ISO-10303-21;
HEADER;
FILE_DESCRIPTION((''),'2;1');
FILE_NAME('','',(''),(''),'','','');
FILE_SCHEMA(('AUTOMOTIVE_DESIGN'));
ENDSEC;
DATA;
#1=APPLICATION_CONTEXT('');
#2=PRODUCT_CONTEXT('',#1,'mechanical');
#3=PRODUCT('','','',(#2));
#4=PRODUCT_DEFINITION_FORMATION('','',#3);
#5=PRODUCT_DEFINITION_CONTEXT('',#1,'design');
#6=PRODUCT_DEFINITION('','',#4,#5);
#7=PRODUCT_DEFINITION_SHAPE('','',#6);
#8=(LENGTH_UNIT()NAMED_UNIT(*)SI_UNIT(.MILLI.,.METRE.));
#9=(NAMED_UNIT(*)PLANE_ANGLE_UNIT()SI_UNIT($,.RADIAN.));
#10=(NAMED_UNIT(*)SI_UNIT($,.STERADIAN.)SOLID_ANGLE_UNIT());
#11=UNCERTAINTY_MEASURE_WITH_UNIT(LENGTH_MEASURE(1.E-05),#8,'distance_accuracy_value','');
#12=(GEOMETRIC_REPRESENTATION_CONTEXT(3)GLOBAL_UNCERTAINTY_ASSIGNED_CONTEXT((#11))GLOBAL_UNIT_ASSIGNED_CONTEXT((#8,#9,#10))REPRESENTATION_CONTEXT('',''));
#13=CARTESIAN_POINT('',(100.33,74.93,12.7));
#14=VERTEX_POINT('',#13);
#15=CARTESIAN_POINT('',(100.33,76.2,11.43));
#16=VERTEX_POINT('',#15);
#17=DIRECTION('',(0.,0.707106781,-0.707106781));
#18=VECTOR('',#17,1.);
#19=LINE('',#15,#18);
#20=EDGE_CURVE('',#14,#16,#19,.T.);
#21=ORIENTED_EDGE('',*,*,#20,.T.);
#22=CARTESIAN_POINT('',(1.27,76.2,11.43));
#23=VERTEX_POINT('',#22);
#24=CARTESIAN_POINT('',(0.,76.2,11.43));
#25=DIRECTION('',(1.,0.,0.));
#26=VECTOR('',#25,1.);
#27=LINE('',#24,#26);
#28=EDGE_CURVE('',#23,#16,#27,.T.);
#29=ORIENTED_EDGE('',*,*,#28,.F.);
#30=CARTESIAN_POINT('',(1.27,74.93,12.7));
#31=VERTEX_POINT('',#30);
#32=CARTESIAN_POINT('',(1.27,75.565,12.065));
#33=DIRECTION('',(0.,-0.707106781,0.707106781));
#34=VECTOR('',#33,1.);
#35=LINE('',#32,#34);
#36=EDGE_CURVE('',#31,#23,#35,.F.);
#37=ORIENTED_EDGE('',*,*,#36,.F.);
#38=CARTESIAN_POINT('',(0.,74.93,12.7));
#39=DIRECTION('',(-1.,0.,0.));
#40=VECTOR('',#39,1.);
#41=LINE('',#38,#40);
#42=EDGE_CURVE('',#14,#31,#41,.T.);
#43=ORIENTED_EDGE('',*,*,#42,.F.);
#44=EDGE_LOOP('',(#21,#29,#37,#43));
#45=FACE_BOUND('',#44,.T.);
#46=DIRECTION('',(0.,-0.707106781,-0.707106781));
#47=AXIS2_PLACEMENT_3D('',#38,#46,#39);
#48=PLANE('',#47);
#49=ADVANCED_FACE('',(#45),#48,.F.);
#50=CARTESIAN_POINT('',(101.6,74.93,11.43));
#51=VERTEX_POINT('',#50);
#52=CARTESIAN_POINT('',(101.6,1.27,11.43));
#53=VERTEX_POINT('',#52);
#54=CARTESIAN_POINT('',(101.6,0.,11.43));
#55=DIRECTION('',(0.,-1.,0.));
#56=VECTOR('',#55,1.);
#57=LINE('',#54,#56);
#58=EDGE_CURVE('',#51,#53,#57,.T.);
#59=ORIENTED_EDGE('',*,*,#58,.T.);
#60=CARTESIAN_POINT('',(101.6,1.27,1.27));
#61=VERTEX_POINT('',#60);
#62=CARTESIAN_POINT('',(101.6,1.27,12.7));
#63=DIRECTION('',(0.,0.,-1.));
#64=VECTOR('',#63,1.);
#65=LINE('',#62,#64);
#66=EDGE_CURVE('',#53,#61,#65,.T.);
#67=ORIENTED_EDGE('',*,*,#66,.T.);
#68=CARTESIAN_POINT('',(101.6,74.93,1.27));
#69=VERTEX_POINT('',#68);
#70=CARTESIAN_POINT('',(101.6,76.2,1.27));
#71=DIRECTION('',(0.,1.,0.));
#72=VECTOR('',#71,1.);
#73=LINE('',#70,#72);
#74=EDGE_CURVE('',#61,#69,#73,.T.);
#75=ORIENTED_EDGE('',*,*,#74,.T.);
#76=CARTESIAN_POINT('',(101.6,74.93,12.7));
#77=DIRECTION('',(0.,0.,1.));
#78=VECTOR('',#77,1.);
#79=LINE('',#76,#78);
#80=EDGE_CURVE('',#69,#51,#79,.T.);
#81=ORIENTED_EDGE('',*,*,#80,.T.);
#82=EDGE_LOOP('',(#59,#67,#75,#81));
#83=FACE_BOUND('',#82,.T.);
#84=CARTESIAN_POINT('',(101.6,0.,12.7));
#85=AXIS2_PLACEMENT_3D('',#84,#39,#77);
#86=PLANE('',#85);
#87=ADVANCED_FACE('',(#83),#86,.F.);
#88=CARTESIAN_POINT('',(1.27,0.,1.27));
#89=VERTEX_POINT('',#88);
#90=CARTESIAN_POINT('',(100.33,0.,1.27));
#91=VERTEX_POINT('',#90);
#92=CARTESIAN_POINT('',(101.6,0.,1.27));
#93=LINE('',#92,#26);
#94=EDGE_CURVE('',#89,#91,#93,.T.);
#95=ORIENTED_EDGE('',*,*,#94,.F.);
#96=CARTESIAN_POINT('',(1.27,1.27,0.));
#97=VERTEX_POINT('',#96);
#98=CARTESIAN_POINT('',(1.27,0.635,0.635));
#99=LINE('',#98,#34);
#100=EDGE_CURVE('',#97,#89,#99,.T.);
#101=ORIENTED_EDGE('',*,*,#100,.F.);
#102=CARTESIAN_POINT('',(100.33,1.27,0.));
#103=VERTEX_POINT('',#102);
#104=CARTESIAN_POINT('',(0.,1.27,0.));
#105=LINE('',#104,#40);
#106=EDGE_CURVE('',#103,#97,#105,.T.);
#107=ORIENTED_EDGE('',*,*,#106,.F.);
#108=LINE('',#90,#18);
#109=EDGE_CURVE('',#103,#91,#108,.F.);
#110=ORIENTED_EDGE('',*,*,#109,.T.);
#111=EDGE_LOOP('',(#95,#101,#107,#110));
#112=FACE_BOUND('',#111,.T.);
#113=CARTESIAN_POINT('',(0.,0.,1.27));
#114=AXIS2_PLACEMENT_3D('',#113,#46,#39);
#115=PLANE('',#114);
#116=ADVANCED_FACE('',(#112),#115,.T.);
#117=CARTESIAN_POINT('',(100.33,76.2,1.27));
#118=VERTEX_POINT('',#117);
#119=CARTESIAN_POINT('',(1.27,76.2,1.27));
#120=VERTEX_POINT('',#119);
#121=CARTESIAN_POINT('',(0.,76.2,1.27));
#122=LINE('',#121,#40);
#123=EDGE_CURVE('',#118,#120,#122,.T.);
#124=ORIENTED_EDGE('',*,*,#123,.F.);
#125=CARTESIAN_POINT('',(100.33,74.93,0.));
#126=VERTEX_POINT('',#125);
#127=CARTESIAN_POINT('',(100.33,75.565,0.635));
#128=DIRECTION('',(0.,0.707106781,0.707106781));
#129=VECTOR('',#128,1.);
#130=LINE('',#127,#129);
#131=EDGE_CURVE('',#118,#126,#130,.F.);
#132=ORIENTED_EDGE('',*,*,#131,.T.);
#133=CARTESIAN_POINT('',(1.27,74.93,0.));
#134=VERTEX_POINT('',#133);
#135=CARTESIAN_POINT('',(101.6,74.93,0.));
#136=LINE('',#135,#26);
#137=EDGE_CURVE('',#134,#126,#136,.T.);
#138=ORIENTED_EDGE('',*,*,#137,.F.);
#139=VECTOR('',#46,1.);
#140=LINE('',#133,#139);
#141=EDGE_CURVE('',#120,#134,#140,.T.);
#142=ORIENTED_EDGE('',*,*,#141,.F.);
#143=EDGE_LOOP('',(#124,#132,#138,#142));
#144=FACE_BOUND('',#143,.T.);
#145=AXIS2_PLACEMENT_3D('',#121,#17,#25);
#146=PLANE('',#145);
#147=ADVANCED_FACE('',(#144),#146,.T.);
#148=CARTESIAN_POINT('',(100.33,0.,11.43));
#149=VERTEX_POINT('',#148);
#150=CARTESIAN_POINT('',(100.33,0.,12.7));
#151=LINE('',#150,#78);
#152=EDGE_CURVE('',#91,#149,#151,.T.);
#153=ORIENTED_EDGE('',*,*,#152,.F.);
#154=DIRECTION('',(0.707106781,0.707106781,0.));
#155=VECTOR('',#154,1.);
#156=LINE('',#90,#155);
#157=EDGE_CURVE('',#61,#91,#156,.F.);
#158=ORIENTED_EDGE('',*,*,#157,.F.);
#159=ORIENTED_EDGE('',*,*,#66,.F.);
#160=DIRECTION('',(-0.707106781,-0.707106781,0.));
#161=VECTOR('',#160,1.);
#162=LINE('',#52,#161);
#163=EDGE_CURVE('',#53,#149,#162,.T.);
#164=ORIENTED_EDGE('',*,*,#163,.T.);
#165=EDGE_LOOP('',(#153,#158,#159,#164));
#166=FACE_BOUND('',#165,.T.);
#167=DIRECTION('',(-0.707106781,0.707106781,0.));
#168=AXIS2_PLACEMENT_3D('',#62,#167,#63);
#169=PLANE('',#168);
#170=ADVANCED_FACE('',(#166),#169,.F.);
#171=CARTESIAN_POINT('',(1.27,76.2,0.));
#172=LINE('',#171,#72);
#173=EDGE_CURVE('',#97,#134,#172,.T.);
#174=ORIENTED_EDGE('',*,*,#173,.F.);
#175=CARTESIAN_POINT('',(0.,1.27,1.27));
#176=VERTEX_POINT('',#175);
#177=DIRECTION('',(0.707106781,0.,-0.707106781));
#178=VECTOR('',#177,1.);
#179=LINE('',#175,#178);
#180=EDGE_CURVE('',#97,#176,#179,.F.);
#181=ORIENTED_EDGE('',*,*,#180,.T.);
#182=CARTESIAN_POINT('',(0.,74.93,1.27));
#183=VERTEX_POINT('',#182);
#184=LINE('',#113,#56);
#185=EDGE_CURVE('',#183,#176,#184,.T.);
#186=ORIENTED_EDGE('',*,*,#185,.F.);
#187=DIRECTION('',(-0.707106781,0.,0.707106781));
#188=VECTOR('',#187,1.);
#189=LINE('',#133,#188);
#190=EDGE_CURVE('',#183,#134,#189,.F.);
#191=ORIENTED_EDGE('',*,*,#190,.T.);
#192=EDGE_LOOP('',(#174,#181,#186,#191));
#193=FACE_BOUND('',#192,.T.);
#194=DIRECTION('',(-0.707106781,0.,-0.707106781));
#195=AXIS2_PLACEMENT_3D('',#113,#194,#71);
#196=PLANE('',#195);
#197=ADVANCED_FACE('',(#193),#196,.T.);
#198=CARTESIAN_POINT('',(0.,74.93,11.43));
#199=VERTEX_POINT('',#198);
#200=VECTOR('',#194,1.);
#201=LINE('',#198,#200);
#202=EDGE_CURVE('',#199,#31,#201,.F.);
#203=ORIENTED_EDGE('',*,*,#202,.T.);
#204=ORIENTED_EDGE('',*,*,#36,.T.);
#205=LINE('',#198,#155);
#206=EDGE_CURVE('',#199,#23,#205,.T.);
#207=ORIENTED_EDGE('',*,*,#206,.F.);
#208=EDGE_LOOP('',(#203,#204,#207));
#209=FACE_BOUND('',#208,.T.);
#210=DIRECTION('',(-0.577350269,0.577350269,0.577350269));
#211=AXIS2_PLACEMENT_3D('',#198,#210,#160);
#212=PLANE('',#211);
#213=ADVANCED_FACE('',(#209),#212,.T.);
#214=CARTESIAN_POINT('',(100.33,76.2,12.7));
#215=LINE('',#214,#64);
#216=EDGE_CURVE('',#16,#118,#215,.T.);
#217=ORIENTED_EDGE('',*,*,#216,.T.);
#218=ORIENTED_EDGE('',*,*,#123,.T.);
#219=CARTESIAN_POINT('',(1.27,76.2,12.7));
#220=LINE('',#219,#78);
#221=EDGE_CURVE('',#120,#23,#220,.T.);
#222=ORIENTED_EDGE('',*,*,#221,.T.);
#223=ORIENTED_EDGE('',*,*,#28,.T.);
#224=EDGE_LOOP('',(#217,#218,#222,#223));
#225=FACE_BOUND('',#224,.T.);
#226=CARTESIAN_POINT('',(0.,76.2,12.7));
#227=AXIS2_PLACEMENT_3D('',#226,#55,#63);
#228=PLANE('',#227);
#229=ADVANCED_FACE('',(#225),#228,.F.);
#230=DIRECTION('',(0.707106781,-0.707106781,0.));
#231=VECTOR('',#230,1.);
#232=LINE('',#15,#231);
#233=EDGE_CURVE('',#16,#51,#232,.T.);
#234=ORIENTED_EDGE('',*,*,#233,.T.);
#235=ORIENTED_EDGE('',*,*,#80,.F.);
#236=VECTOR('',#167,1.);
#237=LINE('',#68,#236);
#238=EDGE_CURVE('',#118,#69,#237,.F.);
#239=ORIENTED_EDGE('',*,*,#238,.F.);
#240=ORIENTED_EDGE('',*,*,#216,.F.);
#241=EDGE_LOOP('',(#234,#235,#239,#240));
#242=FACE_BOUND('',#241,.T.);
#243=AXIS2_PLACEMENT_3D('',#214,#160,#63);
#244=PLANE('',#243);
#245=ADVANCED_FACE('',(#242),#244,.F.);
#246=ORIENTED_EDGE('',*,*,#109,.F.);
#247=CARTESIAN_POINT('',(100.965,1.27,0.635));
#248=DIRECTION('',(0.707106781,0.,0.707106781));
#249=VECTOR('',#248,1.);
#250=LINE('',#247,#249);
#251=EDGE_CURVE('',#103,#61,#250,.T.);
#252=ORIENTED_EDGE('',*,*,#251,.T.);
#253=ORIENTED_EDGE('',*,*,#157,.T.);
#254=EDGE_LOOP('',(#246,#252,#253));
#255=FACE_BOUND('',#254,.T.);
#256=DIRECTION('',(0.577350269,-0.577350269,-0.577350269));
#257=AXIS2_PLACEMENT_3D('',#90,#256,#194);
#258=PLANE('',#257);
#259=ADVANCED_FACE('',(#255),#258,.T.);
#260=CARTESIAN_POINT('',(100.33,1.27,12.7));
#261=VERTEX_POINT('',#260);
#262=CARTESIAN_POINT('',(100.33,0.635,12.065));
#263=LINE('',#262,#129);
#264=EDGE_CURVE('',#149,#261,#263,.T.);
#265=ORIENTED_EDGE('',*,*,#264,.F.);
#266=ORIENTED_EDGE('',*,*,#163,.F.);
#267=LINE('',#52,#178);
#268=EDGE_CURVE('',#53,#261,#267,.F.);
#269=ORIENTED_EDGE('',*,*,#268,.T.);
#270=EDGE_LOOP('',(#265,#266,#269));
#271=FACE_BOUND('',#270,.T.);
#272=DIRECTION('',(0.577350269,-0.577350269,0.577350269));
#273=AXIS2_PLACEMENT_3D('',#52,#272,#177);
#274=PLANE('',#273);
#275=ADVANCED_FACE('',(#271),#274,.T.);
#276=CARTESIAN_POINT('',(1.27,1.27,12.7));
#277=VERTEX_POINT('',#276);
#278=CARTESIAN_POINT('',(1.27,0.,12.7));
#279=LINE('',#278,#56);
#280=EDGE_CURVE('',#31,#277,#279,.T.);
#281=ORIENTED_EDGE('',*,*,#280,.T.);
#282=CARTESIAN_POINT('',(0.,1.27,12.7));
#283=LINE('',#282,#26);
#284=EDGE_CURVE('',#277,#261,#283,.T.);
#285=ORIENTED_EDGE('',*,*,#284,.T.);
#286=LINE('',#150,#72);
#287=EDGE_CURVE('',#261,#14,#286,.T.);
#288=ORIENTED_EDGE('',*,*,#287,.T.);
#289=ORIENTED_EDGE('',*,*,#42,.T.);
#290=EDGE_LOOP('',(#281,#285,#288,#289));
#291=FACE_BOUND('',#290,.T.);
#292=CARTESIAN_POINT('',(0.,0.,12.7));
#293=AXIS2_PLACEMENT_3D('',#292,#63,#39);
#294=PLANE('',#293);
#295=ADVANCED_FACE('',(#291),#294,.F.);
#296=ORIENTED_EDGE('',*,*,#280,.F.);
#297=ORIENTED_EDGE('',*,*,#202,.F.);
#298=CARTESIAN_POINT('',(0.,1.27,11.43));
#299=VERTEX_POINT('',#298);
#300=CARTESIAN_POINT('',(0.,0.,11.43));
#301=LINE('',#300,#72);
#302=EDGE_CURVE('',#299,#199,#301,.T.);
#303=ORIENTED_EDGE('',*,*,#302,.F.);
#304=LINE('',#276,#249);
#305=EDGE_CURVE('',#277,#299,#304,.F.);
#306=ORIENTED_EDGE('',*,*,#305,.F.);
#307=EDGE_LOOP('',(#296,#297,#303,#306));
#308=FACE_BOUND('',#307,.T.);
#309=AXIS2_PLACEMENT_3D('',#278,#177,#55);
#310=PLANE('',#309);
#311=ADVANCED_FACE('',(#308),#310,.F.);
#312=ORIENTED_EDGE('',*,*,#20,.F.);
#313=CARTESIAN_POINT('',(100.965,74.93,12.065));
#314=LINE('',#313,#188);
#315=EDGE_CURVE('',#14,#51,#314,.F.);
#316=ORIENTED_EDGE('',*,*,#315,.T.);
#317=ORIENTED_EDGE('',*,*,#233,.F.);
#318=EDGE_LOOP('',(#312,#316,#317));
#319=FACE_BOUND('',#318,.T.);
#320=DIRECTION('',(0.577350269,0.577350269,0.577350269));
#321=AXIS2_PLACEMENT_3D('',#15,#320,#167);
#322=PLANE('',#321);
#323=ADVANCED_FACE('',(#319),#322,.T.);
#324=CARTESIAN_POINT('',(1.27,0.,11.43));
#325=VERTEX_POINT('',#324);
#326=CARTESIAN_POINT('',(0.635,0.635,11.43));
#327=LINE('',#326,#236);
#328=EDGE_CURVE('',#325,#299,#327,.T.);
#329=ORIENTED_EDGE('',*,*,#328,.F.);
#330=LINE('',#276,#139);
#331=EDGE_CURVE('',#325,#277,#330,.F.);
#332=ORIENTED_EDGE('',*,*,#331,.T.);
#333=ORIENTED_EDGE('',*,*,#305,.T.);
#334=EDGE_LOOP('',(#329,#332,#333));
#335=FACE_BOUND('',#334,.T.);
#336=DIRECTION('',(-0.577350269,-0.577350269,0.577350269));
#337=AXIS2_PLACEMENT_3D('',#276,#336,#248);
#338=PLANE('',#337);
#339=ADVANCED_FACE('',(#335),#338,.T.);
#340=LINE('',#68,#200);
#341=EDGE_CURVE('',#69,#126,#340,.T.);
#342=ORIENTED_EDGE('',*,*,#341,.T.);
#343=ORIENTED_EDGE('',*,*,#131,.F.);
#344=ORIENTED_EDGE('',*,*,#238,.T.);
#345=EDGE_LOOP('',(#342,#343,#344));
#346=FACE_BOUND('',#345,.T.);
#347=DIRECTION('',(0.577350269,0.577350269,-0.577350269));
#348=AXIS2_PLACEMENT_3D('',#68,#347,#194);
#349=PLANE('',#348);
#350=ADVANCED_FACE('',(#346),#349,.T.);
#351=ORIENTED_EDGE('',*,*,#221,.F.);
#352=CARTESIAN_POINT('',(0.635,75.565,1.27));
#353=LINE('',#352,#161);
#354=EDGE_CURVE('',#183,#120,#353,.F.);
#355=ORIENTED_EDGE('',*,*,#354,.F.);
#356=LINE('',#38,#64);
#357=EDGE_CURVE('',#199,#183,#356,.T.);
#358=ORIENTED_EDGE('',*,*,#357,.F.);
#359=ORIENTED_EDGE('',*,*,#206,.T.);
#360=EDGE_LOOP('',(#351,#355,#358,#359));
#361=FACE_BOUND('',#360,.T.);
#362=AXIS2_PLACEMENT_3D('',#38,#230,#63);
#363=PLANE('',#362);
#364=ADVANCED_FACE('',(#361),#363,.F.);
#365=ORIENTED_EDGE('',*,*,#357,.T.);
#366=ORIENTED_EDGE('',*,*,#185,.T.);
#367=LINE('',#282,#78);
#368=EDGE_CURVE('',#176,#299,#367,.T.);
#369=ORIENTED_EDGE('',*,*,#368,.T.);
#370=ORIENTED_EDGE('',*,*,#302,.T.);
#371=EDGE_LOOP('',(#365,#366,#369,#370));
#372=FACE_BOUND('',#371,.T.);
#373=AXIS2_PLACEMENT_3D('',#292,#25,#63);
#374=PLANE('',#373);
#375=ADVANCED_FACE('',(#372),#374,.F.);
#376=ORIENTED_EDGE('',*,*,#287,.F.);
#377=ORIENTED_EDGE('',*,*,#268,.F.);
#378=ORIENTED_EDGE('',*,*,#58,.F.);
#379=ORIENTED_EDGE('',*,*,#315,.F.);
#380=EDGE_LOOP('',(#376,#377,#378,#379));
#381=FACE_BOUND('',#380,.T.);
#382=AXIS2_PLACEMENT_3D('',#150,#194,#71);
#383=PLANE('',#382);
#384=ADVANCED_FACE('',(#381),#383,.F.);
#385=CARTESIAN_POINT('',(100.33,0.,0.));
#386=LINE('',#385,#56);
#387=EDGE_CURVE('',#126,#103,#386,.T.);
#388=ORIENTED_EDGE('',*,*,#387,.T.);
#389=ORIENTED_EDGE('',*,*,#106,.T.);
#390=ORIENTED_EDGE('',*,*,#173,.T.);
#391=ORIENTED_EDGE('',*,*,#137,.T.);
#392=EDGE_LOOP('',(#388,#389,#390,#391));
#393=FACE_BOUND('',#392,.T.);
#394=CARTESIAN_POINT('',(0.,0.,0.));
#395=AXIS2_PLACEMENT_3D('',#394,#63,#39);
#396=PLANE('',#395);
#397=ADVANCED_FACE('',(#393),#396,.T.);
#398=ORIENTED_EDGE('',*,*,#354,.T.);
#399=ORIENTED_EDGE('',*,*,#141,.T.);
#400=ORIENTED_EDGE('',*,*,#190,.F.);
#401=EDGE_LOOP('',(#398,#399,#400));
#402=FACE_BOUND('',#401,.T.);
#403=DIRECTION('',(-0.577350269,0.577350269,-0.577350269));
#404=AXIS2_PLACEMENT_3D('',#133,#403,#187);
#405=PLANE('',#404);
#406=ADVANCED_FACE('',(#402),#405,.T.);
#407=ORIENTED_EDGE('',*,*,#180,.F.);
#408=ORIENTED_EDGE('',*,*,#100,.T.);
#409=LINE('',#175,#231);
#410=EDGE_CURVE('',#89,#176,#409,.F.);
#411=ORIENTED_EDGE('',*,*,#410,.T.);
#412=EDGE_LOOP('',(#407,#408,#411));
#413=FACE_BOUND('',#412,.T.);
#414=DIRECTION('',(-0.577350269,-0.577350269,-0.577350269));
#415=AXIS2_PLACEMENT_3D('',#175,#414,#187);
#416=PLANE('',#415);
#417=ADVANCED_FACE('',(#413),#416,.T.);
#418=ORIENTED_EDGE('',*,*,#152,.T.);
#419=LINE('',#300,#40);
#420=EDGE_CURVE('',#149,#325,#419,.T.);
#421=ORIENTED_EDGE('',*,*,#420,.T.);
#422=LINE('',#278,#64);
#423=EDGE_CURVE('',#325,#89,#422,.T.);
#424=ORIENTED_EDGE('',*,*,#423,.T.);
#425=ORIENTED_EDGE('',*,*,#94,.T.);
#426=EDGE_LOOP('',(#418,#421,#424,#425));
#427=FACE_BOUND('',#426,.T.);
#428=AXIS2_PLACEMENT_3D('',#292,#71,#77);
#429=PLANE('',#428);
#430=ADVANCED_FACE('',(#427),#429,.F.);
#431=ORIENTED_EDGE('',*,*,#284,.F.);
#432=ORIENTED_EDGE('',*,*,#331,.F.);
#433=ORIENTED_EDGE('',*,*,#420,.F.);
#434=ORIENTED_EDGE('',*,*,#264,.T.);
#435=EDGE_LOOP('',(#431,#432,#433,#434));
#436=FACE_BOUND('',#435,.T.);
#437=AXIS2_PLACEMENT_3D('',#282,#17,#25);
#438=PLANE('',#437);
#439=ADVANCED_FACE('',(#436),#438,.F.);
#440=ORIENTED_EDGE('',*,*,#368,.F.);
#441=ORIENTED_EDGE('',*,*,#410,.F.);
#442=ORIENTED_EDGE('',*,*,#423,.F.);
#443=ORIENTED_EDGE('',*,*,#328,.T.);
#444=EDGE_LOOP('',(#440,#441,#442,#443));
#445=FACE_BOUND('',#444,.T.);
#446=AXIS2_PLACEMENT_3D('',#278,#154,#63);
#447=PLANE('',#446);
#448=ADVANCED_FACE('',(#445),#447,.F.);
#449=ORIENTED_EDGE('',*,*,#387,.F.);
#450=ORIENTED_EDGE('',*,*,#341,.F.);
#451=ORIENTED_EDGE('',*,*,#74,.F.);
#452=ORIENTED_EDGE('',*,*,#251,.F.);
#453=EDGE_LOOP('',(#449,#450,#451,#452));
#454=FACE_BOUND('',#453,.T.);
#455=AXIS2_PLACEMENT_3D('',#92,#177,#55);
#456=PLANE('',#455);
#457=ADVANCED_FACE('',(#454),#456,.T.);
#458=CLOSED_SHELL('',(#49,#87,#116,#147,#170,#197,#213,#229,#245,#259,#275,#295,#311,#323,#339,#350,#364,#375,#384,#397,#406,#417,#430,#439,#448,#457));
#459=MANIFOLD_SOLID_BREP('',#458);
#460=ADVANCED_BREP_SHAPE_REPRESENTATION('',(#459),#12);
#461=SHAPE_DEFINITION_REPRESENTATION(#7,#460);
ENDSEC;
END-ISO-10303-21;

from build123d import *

# Parameters (mm, degrees)
SKETCH1_W           = 101.6
SKETCH1_H           = 76.2
BOSS_EXTRUDE1_DEPTH = 12.7
CHAMFER1_SIZE       = 1.27


with BuildPart() as part:
    # Sketch1 → Boss-Extrude1 (new body)
    with BuildSketch(Plane.XY):
        with Locations((50.8, 38.1)):
            Rectangle(SKETCH1_W, SKETCH1_H)
    extrude(amount=BOSS_EXTRUDE1_DEPTH)

    # Chamfer1
    chamfer1_edges = [part.edges().sort_by_distance(p)[0] for p in [
        (101.6, 38.1, 12.7),
        (50.8, 76.2, 12.7),
        (0, 38.1, 12.7),
        (50.8, 76.2, 0),
        (101.6, 38.1, 0),
        (50.8, 0, 0),
        (0, 38.1, 0),
        (0, 76.2, 6.35),
        (101.6, 76.2, 6.35),
        (101.6, 0, 6.35),
        (0, 0, 6.35),
        (50.8, 0, 12.7),
    ]]
    chamfer(chamfer1_edges, length=CHAMFER1_SIZE)


solid = part.part
